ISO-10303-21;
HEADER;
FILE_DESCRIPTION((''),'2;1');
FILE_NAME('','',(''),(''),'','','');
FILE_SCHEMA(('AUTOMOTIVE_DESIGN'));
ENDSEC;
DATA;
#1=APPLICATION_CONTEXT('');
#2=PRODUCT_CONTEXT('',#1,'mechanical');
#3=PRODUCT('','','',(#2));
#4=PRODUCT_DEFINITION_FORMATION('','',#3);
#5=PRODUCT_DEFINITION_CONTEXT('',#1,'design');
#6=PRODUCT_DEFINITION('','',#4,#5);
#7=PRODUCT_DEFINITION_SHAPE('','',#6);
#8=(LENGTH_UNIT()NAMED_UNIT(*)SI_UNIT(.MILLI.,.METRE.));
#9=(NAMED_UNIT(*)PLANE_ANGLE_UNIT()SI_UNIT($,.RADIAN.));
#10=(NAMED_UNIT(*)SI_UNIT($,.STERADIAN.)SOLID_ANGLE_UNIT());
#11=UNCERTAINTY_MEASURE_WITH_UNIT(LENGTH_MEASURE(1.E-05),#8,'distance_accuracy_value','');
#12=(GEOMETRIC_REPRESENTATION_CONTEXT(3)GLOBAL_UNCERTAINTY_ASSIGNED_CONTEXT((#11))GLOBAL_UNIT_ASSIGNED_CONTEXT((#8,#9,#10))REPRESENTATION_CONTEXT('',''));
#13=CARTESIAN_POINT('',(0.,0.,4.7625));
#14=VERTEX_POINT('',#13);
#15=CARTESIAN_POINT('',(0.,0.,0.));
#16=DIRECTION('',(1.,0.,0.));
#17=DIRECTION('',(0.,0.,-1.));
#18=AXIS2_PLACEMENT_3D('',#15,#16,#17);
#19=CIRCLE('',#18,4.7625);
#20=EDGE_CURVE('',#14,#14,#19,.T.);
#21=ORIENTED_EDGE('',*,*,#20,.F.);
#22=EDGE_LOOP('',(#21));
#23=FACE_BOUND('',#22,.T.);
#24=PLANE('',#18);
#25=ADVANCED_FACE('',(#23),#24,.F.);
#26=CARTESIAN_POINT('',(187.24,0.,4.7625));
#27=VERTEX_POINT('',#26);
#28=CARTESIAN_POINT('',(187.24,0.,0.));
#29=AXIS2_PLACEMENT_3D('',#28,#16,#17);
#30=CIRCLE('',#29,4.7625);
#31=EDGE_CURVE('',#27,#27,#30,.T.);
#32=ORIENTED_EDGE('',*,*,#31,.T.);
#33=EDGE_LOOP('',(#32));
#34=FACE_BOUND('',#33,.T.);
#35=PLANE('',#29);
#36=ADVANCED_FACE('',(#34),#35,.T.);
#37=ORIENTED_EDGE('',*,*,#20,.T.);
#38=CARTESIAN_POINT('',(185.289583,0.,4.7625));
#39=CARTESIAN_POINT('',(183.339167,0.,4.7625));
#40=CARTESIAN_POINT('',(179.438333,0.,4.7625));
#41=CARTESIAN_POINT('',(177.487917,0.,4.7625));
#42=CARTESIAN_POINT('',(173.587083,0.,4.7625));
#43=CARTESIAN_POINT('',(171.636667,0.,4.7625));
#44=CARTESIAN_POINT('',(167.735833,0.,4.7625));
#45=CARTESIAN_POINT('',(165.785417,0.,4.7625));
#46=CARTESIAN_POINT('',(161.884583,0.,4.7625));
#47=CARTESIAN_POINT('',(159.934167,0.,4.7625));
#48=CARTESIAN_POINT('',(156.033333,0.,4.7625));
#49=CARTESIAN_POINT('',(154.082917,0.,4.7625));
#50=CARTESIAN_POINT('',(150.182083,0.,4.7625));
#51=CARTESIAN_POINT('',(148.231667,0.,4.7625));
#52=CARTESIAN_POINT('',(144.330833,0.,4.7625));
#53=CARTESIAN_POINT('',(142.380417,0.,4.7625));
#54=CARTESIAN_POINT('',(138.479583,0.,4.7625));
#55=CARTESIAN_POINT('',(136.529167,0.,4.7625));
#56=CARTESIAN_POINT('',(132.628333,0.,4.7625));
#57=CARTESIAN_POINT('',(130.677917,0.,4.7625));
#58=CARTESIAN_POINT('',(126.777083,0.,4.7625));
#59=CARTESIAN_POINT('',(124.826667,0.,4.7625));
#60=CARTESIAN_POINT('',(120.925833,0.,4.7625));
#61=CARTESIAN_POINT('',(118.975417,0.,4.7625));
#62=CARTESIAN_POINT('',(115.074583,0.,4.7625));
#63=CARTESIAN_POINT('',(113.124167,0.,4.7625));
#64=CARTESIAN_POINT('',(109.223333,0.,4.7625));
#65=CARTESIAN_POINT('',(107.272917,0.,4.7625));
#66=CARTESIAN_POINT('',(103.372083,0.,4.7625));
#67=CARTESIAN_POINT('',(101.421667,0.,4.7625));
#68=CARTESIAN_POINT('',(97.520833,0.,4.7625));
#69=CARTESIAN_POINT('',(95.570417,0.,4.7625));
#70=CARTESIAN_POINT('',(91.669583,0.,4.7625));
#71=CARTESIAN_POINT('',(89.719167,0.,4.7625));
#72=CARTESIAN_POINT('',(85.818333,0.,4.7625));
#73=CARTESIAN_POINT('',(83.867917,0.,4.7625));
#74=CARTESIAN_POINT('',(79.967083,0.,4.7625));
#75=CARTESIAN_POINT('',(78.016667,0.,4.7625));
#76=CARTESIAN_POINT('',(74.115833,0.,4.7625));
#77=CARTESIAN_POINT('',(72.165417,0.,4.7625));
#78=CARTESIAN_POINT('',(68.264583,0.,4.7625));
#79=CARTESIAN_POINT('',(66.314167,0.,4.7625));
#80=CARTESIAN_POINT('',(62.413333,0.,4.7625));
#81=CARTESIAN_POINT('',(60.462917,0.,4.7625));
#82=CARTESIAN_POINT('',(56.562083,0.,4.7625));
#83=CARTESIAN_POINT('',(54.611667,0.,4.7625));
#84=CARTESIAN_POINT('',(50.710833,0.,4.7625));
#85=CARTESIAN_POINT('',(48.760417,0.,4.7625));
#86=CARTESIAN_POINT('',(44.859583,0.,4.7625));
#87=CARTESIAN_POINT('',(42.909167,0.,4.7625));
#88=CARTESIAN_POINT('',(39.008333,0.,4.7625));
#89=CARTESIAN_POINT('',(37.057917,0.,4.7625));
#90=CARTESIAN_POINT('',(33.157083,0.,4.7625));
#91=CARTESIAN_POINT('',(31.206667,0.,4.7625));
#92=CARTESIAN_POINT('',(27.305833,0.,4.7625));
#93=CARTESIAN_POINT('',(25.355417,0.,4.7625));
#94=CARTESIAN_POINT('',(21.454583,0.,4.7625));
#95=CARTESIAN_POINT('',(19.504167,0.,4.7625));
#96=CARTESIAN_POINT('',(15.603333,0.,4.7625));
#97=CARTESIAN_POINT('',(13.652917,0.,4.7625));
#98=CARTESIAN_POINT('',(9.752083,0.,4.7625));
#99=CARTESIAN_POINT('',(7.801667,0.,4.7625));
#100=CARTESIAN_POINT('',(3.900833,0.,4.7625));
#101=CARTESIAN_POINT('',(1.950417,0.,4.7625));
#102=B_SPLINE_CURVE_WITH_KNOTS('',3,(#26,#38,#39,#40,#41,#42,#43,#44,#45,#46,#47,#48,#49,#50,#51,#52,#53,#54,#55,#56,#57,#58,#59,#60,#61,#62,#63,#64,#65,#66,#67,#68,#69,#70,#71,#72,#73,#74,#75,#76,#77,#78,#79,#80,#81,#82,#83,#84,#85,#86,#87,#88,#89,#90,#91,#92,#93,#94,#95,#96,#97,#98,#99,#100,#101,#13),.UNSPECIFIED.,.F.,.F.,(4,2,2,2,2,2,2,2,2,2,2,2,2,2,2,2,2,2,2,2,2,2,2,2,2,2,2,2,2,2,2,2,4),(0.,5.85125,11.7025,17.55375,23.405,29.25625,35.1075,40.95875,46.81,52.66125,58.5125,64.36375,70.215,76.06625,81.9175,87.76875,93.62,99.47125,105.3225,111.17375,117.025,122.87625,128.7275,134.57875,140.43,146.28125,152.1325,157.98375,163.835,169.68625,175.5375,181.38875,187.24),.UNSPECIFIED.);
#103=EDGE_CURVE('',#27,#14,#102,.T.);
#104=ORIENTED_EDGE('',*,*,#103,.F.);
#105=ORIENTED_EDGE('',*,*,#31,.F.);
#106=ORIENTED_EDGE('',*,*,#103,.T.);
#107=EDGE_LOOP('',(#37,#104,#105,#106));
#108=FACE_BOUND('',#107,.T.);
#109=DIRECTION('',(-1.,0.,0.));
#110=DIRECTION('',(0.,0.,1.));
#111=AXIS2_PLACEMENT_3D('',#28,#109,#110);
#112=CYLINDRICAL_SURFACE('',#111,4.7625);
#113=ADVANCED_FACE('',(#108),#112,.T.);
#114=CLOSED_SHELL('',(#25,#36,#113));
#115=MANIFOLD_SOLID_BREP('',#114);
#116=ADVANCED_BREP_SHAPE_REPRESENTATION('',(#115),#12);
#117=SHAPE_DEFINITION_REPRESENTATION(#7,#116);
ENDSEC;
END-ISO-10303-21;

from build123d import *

# Parameters (mm, degrees)
CROQUIS1_R              = 4.7625
SALIENTE_EXTRUIR1_DEPTH = 187.24


with BuildPart() as part:
    # Croquis1 → Saliente-Extruir1 (new body)
    with BuildSketch(Plane(origin=(0, 0, 0), x_dir=(0, 0, -1), z_dir=(1, 0, 0))):
        with Locations(Location((0, 0, 0), (0, 0, 180))):
            Circle(CROQUIS1_R)
    extrude(amount=SALIENTE_EXTRUIR1_DEPTH)


solid = part.part
